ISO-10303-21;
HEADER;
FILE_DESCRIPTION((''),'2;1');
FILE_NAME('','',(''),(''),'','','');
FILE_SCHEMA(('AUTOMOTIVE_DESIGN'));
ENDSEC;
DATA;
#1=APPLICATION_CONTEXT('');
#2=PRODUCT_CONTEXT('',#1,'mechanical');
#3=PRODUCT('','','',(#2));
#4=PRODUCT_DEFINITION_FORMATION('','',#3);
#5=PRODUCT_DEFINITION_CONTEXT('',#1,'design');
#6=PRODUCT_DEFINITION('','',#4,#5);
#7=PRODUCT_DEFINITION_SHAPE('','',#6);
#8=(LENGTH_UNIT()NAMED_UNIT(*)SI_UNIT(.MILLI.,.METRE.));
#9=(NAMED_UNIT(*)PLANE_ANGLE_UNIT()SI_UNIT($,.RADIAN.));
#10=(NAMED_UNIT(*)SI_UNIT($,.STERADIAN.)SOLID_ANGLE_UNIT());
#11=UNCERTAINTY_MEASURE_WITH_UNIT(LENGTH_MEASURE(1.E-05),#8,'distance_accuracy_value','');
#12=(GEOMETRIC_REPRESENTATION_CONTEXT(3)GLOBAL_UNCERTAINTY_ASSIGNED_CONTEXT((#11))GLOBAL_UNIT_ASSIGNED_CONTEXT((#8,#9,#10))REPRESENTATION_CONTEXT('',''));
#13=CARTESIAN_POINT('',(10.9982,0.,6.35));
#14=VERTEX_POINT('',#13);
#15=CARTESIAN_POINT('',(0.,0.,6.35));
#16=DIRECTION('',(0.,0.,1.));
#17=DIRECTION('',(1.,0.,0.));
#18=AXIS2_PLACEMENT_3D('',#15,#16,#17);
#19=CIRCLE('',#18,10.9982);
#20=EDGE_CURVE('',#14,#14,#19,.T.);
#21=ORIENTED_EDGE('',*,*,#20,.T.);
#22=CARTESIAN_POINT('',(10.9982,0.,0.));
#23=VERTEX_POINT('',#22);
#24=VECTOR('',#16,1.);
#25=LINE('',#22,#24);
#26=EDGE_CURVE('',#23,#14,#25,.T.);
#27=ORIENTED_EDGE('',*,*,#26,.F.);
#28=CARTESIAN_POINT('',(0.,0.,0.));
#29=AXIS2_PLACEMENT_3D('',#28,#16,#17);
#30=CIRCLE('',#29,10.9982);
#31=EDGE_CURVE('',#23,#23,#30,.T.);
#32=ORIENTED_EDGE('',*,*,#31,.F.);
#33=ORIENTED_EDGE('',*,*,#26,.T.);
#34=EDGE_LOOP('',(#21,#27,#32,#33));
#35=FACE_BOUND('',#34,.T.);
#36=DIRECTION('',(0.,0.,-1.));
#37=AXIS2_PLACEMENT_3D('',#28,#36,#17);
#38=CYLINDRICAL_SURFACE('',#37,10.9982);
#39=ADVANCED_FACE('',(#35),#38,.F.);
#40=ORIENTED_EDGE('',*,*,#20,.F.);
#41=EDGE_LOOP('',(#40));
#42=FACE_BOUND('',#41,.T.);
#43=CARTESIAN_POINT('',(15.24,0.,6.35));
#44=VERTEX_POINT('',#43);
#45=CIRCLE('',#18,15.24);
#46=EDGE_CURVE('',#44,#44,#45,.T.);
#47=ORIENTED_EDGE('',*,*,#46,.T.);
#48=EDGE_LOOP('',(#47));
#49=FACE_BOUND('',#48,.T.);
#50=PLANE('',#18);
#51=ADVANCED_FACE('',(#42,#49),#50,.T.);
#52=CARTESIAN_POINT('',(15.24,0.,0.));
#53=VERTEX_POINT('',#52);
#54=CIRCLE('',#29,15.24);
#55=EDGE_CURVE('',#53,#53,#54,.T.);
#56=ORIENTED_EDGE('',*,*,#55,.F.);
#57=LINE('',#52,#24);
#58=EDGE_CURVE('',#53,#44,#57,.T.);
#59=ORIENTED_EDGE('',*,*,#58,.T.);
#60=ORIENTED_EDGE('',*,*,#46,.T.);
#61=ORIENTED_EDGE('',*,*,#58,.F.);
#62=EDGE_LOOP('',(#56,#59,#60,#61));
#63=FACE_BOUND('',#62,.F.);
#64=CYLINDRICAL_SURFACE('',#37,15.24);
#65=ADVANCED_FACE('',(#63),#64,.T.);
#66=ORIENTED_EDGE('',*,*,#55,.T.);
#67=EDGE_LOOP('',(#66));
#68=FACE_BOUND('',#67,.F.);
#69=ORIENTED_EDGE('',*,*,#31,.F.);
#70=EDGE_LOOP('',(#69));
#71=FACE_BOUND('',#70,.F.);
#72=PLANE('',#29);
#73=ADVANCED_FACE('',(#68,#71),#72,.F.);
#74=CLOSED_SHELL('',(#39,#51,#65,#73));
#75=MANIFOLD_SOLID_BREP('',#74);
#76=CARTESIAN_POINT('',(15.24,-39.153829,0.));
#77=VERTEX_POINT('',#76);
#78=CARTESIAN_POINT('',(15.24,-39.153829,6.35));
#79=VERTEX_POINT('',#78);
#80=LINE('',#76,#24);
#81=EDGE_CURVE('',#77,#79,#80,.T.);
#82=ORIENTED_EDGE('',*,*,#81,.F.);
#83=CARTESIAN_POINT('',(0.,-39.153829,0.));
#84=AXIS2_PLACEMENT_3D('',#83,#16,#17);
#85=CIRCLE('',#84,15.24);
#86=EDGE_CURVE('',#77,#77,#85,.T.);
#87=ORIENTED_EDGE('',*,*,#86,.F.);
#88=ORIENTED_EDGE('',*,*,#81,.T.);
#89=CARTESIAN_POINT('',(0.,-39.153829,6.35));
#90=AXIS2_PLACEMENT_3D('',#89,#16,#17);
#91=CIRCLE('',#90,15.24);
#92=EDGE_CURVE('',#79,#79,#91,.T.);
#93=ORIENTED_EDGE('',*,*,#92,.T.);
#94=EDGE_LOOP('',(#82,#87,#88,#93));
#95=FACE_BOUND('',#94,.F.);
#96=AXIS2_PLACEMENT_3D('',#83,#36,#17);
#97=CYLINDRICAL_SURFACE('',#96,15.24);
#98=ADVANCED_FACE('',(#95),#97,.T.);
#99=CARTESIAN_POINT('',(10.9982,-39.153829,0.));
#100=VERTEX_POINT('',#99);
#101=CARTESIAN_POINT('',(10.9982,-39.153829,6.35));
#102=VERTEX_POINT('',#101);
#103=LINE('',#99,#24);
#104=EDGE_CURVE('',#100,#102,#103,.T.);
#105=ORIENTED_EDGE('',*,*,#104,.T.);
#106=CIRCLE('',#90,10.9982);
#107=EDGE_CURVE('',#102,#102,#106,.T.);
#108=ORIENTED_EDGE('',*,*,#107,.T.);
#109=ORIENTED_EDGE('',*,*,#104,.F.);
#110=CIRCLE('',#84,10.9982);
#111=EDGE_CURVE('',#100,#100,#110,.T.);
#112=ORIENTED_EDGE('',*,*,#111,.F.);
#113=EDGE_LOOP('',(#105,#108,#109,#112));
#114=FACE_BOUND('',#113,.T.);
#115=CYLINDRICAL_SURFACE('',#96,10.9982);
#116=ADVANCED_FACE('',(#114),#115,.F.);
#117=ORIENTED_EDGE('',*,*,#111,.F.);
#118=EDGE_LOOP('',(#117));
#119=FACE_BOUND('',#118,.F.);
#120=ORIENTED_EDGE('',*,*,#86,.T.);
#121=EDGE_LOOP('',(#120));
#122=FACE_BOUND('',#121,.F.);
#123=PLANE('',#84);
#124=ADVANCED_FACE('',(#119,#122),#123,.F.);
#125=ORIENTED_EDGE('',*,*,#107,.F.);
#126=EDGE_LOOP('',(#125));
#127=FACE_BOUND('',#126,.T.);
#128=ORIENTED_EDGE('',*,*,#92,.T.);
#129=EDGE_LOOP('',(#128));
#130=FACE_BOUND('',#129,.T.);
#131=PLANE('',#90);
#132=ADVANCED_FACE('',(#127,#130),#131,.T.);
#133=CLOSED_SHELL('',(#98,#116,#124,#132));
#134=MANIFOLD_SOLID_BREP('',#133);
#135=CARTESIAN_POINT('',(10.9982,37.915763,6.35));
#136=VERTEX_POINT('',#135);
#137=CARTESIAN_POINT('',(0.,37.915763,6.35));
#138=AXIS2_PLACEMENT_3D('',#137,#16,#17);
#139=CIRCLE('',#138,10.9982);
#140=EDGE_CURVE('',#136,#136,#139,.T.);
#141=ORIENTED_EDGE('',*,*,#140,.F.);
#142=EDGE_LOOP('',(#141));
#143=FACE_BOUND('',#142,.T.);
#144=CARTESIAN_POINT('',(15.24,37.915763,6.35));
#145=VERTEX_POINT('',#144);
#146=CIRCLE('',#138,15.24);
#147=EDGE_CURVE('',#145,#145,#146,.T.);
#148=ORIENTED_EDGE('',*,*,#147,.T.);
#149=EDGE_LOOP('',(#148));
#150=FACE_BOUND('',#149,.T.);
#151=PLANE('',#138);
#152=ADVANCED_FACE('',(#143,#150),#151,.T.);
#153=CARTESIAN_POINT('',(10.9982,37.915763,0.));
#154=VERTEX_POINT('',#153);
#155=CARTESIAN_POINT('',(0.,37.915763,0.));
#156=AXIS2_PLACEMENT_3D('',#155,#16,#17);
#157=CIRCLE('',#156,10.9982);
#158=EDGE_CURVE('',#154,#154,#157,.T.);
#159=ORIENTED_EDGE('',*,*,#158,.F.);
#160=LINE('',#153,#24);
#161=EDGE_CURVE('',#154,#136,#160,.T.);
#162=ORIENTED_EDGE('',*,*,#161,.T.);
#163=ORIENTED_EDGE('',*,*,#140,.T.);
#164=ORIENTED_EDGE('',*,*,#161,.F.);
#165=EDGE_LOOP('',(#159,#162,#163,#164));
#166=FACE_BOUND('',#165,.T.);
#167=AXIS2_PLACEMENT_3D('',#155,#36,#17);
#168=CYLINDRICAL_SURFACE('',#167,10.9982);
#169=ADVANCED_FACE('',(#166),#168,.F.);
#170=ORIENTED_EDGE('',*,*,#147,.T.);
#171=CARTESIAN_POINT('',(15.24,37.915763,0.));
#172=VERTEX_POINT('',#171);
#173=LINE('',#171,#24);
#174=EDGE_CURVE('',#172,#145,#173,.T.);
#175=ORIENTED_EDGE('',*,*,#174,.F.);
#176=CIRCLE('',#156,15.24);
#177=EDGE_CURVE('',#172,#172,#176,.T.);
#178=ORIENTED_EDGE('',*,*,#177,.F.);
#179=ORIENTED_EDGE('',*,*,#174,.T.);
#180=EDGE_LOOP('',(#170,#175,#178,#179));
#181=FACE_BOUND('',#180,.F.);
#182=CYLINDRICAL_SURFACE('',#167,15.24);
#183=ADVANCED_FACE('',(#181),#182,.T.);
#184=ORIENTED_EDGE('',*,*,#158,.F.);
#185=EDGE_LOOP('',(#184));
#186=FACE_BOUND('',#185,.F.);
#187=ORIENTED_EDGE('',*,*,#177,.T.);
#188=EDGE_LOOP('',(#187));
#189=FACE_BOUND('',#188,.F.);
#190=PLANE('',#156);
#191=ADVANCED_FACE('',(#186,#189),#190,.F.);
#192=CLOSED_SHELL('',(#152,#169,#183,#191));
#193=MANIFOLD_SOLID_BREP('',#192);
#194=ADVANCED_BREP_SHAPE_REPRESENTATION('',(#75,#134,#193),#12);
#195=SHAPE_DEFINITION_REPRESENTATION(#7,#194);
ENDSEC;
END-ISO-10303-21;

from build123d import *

# Parameters (mm, degrees)
F0_R     = 15.24
F0_R_2   = 10.9982
F1_DEPTH = 6.35


with BuildPart() as f1:
    # F0 (on Top) → F1 (new body)
    with BuildSketch(Plane.XY):
        with Locations((0, 37.915763)):
            Circle(F0_R)
        with Locations((0, 37.915763)):
            Circle(F0_R_2, mode=Mode.SUBTRACT)
        Circle(F0_R)
        Circle(F0_R_2, mode=Mode.SUBTRACT)
        with Locations((0, -39.153829)):
            Circle(F0_R)
        with Locations((0, -39.153829)):
            Circle(F0_R_2, mode=Mode.SUBTRACT)
    extrude(amount=F1_DEPTH)


solid = f1.part
